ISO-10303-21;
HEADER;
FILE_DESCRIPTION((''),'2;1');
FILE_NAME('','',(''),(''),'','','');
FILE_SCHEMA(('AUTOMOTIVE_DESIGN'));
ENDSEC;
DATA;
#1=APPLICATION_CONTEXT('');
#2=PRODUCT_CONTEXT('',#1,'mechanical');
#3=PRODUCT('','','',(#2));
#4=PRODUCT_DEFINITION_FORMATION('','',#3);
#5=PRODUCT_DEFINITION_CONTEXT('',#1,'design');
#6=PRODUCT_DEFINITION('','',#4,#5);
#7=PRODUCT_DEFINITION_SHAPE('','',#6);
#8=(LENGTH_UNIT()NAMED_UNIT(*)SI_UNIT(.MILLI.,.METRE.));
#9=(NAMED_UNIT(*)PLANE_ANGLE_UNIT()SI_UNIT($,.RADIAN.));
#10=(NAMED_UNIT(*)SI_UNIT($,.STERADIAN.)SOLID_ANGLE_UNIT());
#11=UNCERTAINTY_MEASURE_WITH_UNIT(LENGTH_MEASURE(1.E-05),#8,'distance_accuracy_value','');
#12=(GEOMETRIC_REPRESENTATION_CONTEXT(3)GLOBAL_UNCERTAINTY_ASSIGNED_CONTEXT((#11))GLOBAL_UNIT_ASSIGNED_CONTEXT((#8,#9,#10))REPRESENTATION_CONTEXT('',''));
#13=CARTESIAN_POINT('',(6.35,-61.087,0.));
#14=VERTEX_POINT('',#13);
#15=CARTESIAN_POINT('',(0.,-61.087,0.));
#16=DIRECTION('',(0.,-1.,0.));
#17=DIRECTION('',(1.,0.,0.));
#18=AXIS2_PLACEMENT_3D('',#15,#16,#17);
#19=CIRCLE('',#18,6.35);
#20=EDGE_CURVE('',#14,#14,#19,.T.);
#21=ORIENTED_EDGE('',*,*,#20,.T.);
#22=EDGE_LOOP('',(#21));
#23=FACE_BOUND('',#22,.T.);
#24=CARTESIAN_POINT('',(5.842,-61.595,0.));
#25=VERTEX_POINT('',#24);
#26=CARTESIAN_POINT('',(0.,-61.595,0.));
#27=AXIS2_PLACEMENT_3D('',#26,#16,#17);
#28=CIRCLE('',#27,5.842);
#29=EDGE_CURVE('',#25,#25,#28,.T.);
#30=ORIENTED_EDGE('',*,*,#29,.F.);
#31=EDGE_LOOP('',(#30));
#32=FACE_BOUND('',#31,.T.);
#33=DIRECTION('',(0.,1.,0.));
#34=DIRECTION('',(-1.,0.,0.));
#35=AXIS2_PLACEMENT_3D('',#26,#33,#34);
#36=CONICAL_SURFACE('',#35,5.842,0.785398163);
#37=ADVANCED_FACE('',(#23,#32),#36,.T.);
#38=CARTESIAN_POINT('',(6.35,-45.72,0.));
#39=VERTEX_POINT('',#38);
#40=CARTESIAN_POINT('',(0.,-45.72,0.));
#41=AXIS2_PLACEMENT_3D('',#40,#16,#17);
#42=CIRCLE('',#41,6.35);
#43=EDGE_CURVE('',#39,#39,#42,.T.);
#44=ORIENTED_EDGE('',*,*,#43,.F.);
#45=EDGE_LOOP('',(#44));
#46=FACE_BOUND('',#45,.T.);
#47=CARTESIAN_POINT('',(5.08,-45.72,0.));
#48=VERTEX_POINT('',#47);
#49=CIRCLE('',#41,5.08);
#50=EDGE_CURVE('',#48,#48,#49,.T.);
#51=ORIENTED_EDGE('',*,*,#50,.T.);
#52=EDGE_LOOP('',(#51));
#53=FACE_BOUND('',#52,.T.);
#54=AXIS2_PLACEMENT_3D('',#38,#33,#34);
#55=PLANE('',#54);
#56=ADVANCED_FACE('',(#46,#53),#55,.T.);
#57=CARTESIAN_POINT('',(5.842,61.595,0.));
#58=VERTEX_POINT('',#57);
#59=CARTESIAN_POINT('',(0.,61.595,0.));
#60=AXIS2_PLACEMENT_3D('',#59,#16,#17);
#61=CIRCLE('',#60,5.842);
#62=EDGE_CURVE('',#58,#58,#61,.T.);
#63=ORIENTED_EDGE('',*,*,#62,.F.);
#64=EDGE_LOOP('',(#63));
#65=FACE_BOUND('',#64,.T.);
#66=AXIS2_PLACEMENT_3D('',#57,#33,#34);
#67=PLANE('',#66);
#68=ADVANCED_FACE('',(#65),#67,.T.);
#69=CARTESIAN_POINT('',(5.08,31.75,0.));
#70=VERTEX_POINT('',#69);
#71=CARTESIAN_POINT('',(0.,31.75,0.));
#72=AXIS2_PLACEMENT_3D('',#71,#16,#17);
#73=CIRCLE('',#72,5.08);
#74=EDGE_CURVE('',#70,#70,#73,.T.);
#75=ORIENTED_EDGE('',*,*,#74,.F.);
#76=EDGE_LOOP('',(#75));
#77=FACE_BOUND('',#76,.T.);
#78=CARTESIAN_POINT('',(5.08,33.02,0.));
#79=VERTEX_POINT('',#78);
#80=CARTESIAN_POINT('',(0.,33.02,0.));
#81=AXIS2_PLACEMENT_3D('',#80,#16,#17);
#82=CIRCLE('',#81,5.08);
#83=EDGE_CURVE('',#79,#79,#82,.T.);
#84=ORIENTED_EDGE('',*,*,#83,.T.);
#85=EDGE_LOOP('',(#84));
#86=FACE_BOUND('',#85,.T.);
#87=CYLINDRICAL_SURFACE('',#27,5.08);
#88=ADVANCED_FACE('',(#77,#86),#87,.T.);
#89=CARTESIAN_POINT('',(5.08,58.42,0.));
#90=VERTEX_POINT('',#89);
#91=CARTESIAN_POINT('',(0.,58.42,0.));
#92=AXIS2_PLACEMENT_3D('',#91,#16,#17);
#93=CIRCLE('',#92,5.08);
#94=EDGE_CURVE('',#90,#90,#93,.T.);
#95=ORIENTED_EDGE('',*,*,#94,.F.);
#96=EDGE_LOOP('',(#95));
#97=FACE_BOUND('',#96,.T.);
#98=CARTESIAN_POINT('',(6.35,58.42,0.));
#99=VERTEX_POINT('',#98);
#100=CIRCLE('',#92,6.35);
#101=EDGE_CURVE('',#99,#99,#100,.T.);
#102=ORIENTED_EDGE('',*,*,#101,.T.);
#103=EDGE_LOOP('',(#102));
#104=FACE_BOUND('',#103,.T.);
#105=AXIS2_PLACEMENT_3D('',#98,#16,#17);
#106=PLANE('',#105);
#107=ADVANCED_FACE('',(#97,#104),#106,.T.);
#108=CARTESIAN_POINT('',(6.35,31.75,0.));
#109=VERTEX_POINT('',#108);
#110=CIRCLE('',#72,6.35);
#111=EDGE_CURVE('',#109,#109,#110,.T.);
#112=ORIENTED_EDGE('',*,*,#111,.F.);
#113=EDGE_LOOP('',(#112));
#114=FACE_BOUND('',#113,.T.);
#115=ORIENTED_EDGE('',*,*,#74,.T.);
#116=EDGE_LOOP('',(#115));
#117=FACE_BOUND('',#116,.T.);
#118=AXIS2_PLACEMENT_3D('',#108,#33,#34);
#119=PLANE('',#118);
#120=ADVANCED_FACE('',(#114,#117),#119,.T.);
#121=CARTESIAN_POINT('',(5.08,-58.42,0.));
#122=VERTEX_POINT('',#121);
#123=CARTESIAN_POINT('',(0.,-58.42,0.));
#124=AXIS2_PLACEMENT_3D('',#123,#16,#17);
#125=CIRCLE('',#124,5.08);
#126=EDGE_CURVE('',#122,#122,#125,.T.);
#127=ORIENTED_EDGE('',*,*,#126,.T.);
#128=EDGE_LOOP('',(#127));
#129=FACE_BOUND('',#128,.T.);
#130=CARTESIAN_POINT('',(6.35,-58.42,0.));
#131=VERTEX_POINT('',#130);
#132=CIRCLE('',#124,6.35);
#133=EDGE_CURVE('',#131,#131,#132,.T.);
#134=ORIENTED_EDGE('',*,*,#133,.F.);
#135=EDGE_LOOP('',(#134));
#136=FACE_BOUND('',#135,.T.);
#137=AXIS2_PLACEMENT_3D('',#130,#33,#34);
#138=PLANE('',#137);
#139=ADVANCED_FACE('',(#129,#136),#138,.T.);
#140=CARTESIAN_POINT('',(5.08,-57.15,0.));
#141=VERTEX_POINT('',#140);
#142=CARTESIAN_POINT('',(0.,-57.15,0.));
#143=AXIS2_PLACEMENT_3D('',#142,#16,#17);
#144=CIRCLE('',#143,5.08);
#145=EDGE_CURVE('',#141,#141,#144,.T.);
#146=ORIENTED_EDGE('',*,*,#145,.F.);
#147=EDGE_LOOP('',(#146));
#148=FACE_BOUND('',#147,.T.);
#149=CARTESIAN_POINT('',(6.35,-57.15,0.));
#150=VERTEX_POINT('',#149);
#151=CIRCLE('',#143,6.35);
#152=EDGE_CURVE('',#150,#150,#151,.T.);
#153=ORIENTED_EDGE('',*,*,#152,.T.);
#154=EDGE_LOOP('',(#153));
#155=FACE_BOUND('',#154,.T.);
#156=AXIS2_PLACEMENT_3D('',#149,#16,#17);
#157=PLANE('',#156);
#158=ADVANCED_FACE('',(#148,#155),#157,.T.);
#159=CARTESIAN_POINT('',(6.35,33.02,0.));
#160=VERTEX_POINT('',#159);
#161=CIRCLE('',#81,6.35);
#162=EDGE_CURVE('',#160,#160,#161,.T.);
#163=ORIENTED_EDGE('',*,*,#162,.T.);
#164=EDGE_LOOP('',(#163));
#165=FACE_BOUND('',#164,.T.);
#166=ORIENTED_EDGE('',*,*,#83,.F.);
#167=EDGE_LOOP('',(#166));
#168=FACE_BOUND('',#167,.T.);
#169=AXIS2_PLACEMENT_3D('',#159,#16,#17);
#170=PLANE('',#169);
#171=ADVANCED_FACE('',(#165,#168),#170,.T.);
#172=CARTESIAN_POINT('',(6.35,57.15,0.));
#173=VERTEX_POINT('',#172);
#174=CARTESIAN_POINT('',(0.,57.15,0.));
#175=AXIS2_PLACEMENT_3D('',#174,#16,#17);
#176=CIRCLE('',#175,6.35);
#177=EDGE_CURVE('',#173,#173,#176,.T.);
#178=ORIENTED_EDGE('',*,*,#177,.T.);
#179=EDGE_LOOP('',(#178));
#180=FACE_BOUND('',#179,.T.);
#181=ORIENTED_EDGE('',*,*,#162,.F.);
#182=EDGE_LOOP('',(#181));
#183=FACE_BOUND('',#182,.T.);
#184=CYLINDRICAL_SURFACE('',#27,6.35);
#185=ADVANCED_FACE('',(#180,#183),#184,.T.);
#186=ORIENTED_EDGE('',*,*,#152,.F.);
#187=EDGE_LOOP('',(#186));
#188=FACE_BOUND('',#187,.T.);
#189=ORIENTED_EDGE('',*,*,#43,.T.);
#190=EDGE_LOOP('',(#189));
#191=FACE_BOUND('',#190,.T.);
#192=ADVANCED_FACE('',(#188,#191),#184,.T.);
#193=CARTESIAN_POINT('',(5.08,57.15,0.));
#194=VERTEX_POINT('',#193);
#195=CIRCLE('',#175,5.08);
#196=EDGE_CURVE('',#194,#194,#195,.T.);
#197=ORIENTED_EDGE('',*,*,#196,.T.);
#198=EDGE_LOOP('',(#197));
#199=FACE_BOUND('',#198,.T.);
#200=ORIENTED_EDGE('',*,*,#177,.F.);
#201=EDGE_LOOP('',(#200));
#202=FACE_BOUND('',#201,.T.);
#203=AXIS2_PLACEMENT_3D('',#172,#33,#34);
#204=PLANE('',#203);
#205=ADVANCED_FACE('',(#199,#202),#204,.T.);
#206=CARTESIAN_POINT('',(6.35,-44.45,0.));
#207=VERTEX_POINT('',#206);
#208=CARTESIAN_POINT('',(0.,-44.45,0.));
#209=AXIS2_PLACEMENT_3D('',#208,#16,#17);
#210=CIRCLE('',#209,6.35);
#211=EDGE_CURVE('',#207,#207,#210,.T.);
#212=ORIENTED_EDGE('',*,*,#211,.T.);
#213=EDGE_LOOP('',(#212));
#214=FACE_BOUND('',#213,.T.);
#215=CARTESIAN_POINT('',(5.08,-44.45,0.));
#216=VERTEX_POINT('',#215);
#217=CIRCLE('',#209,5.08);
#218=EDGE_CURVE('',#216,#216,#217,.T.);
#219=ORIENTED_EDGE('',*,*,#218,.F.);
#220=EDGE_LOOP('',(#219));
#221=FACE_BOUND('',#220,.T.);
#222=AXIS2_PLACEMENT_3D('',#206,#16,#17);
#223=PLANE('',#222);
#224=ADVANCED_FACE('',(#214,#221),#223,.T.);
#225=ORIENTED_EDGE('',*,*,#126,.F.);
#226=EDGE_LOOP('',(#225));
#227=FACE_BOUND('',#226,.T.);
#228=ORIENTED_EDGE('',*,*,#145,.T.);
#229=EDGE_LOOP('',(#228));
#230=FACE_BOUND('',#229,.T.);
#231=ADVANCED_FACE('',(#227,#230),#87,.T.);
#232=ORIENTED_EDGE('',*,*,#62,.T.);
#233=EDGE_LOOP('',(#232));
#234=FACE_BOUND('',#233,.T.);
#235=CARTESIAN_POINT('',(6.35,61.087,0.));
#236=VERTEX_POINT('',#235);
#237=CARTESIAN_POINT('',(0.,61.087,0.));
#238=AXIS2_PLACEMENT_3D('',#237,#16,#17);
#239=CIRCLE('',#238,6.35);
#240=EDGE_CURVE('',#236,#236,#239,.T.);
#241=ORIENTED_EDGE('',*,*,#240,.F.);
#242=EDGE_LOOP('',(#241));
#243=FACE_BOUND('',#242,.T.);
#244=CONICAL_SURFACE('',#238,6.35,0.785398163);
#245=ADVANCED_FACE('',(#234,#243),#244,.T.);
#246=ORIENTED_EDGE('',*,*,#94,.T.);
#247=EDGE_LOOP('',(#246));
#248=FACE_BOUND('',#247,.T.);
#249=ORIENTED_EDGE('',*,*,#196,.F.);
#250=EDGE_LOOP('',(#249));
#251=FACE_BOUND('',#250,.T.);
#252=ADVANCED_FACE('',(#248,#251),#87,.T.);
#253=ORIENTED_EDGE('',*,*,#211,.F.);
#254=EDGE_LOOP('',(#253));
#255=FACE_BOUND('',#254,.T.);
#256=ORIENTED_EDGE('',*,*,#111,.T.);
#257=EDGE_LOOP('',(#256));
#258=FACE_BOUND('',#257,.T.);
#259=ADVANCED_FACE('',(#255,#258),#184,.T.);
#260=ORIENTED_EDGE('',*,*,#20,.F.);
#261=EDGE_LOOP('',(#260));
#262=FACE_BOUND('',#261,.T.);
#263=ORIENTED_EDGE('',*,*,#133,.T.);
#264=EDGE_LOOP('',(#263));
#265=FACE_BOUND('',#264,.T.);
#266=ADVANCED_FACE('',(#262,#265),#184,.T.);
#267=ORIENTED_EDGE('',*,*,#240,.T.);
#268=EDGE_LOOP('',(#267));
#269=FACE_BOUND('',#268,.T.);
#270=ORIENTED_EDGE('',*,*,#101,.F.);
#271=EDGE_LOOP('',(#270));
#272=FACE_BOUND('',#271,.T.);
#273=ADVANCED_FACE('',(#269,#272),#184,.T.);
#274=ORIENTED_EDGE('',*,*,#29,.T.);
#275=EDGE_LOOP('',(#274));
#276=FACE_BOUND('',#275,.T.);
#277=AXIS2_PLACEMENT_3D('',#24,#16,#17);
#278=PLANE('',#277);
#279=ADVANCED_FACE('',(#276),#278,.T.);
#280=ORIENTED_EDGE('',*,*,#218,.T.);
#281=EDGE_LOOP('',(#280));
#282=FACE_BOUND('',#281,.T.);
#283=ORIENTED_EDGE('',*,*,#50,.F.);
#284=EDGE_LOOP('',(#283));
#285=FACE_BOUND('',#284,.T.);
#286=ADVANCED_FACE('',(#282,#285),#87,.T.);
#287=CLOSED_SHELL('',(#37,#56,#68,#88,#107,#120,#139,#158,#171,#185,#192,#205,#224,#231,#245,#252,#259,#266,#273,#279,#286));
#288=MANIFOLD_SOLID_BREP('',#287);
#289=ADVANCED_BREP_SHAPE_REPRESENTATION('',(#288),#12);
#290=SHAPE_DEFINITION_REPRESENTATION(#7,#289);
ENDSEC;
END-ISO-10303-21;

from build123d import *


with BuildPart() as part:
    # Sketch1 → Revolve1 (revolve)
    with BuildSketch(Plane.XY):
        Polygon((6.35, 61.087), (5.842, 61.595), (0, 61.595), (0, -61.595), (5.842, -61.595), (6.35, -61.087), (6.35, -58.42), (5.08, -58.42), (5.08, -57.15), (6.35, -57.15), (6.35, -45.72), (5.08, -45.72), (5.08, -44.45), (6.35, -44.45), (6.35, 31.75), (5.08, 31.75), (5.08, 33.02), (6.35, 33.02), (6.35, 57.15), (5.08, 57.15), (5.08, 58.42), (6.35, 58.42), align=None)
    revolve(axis=Axis((0, -61.595, 0), (0, 1, 0)))


solid = part.part
